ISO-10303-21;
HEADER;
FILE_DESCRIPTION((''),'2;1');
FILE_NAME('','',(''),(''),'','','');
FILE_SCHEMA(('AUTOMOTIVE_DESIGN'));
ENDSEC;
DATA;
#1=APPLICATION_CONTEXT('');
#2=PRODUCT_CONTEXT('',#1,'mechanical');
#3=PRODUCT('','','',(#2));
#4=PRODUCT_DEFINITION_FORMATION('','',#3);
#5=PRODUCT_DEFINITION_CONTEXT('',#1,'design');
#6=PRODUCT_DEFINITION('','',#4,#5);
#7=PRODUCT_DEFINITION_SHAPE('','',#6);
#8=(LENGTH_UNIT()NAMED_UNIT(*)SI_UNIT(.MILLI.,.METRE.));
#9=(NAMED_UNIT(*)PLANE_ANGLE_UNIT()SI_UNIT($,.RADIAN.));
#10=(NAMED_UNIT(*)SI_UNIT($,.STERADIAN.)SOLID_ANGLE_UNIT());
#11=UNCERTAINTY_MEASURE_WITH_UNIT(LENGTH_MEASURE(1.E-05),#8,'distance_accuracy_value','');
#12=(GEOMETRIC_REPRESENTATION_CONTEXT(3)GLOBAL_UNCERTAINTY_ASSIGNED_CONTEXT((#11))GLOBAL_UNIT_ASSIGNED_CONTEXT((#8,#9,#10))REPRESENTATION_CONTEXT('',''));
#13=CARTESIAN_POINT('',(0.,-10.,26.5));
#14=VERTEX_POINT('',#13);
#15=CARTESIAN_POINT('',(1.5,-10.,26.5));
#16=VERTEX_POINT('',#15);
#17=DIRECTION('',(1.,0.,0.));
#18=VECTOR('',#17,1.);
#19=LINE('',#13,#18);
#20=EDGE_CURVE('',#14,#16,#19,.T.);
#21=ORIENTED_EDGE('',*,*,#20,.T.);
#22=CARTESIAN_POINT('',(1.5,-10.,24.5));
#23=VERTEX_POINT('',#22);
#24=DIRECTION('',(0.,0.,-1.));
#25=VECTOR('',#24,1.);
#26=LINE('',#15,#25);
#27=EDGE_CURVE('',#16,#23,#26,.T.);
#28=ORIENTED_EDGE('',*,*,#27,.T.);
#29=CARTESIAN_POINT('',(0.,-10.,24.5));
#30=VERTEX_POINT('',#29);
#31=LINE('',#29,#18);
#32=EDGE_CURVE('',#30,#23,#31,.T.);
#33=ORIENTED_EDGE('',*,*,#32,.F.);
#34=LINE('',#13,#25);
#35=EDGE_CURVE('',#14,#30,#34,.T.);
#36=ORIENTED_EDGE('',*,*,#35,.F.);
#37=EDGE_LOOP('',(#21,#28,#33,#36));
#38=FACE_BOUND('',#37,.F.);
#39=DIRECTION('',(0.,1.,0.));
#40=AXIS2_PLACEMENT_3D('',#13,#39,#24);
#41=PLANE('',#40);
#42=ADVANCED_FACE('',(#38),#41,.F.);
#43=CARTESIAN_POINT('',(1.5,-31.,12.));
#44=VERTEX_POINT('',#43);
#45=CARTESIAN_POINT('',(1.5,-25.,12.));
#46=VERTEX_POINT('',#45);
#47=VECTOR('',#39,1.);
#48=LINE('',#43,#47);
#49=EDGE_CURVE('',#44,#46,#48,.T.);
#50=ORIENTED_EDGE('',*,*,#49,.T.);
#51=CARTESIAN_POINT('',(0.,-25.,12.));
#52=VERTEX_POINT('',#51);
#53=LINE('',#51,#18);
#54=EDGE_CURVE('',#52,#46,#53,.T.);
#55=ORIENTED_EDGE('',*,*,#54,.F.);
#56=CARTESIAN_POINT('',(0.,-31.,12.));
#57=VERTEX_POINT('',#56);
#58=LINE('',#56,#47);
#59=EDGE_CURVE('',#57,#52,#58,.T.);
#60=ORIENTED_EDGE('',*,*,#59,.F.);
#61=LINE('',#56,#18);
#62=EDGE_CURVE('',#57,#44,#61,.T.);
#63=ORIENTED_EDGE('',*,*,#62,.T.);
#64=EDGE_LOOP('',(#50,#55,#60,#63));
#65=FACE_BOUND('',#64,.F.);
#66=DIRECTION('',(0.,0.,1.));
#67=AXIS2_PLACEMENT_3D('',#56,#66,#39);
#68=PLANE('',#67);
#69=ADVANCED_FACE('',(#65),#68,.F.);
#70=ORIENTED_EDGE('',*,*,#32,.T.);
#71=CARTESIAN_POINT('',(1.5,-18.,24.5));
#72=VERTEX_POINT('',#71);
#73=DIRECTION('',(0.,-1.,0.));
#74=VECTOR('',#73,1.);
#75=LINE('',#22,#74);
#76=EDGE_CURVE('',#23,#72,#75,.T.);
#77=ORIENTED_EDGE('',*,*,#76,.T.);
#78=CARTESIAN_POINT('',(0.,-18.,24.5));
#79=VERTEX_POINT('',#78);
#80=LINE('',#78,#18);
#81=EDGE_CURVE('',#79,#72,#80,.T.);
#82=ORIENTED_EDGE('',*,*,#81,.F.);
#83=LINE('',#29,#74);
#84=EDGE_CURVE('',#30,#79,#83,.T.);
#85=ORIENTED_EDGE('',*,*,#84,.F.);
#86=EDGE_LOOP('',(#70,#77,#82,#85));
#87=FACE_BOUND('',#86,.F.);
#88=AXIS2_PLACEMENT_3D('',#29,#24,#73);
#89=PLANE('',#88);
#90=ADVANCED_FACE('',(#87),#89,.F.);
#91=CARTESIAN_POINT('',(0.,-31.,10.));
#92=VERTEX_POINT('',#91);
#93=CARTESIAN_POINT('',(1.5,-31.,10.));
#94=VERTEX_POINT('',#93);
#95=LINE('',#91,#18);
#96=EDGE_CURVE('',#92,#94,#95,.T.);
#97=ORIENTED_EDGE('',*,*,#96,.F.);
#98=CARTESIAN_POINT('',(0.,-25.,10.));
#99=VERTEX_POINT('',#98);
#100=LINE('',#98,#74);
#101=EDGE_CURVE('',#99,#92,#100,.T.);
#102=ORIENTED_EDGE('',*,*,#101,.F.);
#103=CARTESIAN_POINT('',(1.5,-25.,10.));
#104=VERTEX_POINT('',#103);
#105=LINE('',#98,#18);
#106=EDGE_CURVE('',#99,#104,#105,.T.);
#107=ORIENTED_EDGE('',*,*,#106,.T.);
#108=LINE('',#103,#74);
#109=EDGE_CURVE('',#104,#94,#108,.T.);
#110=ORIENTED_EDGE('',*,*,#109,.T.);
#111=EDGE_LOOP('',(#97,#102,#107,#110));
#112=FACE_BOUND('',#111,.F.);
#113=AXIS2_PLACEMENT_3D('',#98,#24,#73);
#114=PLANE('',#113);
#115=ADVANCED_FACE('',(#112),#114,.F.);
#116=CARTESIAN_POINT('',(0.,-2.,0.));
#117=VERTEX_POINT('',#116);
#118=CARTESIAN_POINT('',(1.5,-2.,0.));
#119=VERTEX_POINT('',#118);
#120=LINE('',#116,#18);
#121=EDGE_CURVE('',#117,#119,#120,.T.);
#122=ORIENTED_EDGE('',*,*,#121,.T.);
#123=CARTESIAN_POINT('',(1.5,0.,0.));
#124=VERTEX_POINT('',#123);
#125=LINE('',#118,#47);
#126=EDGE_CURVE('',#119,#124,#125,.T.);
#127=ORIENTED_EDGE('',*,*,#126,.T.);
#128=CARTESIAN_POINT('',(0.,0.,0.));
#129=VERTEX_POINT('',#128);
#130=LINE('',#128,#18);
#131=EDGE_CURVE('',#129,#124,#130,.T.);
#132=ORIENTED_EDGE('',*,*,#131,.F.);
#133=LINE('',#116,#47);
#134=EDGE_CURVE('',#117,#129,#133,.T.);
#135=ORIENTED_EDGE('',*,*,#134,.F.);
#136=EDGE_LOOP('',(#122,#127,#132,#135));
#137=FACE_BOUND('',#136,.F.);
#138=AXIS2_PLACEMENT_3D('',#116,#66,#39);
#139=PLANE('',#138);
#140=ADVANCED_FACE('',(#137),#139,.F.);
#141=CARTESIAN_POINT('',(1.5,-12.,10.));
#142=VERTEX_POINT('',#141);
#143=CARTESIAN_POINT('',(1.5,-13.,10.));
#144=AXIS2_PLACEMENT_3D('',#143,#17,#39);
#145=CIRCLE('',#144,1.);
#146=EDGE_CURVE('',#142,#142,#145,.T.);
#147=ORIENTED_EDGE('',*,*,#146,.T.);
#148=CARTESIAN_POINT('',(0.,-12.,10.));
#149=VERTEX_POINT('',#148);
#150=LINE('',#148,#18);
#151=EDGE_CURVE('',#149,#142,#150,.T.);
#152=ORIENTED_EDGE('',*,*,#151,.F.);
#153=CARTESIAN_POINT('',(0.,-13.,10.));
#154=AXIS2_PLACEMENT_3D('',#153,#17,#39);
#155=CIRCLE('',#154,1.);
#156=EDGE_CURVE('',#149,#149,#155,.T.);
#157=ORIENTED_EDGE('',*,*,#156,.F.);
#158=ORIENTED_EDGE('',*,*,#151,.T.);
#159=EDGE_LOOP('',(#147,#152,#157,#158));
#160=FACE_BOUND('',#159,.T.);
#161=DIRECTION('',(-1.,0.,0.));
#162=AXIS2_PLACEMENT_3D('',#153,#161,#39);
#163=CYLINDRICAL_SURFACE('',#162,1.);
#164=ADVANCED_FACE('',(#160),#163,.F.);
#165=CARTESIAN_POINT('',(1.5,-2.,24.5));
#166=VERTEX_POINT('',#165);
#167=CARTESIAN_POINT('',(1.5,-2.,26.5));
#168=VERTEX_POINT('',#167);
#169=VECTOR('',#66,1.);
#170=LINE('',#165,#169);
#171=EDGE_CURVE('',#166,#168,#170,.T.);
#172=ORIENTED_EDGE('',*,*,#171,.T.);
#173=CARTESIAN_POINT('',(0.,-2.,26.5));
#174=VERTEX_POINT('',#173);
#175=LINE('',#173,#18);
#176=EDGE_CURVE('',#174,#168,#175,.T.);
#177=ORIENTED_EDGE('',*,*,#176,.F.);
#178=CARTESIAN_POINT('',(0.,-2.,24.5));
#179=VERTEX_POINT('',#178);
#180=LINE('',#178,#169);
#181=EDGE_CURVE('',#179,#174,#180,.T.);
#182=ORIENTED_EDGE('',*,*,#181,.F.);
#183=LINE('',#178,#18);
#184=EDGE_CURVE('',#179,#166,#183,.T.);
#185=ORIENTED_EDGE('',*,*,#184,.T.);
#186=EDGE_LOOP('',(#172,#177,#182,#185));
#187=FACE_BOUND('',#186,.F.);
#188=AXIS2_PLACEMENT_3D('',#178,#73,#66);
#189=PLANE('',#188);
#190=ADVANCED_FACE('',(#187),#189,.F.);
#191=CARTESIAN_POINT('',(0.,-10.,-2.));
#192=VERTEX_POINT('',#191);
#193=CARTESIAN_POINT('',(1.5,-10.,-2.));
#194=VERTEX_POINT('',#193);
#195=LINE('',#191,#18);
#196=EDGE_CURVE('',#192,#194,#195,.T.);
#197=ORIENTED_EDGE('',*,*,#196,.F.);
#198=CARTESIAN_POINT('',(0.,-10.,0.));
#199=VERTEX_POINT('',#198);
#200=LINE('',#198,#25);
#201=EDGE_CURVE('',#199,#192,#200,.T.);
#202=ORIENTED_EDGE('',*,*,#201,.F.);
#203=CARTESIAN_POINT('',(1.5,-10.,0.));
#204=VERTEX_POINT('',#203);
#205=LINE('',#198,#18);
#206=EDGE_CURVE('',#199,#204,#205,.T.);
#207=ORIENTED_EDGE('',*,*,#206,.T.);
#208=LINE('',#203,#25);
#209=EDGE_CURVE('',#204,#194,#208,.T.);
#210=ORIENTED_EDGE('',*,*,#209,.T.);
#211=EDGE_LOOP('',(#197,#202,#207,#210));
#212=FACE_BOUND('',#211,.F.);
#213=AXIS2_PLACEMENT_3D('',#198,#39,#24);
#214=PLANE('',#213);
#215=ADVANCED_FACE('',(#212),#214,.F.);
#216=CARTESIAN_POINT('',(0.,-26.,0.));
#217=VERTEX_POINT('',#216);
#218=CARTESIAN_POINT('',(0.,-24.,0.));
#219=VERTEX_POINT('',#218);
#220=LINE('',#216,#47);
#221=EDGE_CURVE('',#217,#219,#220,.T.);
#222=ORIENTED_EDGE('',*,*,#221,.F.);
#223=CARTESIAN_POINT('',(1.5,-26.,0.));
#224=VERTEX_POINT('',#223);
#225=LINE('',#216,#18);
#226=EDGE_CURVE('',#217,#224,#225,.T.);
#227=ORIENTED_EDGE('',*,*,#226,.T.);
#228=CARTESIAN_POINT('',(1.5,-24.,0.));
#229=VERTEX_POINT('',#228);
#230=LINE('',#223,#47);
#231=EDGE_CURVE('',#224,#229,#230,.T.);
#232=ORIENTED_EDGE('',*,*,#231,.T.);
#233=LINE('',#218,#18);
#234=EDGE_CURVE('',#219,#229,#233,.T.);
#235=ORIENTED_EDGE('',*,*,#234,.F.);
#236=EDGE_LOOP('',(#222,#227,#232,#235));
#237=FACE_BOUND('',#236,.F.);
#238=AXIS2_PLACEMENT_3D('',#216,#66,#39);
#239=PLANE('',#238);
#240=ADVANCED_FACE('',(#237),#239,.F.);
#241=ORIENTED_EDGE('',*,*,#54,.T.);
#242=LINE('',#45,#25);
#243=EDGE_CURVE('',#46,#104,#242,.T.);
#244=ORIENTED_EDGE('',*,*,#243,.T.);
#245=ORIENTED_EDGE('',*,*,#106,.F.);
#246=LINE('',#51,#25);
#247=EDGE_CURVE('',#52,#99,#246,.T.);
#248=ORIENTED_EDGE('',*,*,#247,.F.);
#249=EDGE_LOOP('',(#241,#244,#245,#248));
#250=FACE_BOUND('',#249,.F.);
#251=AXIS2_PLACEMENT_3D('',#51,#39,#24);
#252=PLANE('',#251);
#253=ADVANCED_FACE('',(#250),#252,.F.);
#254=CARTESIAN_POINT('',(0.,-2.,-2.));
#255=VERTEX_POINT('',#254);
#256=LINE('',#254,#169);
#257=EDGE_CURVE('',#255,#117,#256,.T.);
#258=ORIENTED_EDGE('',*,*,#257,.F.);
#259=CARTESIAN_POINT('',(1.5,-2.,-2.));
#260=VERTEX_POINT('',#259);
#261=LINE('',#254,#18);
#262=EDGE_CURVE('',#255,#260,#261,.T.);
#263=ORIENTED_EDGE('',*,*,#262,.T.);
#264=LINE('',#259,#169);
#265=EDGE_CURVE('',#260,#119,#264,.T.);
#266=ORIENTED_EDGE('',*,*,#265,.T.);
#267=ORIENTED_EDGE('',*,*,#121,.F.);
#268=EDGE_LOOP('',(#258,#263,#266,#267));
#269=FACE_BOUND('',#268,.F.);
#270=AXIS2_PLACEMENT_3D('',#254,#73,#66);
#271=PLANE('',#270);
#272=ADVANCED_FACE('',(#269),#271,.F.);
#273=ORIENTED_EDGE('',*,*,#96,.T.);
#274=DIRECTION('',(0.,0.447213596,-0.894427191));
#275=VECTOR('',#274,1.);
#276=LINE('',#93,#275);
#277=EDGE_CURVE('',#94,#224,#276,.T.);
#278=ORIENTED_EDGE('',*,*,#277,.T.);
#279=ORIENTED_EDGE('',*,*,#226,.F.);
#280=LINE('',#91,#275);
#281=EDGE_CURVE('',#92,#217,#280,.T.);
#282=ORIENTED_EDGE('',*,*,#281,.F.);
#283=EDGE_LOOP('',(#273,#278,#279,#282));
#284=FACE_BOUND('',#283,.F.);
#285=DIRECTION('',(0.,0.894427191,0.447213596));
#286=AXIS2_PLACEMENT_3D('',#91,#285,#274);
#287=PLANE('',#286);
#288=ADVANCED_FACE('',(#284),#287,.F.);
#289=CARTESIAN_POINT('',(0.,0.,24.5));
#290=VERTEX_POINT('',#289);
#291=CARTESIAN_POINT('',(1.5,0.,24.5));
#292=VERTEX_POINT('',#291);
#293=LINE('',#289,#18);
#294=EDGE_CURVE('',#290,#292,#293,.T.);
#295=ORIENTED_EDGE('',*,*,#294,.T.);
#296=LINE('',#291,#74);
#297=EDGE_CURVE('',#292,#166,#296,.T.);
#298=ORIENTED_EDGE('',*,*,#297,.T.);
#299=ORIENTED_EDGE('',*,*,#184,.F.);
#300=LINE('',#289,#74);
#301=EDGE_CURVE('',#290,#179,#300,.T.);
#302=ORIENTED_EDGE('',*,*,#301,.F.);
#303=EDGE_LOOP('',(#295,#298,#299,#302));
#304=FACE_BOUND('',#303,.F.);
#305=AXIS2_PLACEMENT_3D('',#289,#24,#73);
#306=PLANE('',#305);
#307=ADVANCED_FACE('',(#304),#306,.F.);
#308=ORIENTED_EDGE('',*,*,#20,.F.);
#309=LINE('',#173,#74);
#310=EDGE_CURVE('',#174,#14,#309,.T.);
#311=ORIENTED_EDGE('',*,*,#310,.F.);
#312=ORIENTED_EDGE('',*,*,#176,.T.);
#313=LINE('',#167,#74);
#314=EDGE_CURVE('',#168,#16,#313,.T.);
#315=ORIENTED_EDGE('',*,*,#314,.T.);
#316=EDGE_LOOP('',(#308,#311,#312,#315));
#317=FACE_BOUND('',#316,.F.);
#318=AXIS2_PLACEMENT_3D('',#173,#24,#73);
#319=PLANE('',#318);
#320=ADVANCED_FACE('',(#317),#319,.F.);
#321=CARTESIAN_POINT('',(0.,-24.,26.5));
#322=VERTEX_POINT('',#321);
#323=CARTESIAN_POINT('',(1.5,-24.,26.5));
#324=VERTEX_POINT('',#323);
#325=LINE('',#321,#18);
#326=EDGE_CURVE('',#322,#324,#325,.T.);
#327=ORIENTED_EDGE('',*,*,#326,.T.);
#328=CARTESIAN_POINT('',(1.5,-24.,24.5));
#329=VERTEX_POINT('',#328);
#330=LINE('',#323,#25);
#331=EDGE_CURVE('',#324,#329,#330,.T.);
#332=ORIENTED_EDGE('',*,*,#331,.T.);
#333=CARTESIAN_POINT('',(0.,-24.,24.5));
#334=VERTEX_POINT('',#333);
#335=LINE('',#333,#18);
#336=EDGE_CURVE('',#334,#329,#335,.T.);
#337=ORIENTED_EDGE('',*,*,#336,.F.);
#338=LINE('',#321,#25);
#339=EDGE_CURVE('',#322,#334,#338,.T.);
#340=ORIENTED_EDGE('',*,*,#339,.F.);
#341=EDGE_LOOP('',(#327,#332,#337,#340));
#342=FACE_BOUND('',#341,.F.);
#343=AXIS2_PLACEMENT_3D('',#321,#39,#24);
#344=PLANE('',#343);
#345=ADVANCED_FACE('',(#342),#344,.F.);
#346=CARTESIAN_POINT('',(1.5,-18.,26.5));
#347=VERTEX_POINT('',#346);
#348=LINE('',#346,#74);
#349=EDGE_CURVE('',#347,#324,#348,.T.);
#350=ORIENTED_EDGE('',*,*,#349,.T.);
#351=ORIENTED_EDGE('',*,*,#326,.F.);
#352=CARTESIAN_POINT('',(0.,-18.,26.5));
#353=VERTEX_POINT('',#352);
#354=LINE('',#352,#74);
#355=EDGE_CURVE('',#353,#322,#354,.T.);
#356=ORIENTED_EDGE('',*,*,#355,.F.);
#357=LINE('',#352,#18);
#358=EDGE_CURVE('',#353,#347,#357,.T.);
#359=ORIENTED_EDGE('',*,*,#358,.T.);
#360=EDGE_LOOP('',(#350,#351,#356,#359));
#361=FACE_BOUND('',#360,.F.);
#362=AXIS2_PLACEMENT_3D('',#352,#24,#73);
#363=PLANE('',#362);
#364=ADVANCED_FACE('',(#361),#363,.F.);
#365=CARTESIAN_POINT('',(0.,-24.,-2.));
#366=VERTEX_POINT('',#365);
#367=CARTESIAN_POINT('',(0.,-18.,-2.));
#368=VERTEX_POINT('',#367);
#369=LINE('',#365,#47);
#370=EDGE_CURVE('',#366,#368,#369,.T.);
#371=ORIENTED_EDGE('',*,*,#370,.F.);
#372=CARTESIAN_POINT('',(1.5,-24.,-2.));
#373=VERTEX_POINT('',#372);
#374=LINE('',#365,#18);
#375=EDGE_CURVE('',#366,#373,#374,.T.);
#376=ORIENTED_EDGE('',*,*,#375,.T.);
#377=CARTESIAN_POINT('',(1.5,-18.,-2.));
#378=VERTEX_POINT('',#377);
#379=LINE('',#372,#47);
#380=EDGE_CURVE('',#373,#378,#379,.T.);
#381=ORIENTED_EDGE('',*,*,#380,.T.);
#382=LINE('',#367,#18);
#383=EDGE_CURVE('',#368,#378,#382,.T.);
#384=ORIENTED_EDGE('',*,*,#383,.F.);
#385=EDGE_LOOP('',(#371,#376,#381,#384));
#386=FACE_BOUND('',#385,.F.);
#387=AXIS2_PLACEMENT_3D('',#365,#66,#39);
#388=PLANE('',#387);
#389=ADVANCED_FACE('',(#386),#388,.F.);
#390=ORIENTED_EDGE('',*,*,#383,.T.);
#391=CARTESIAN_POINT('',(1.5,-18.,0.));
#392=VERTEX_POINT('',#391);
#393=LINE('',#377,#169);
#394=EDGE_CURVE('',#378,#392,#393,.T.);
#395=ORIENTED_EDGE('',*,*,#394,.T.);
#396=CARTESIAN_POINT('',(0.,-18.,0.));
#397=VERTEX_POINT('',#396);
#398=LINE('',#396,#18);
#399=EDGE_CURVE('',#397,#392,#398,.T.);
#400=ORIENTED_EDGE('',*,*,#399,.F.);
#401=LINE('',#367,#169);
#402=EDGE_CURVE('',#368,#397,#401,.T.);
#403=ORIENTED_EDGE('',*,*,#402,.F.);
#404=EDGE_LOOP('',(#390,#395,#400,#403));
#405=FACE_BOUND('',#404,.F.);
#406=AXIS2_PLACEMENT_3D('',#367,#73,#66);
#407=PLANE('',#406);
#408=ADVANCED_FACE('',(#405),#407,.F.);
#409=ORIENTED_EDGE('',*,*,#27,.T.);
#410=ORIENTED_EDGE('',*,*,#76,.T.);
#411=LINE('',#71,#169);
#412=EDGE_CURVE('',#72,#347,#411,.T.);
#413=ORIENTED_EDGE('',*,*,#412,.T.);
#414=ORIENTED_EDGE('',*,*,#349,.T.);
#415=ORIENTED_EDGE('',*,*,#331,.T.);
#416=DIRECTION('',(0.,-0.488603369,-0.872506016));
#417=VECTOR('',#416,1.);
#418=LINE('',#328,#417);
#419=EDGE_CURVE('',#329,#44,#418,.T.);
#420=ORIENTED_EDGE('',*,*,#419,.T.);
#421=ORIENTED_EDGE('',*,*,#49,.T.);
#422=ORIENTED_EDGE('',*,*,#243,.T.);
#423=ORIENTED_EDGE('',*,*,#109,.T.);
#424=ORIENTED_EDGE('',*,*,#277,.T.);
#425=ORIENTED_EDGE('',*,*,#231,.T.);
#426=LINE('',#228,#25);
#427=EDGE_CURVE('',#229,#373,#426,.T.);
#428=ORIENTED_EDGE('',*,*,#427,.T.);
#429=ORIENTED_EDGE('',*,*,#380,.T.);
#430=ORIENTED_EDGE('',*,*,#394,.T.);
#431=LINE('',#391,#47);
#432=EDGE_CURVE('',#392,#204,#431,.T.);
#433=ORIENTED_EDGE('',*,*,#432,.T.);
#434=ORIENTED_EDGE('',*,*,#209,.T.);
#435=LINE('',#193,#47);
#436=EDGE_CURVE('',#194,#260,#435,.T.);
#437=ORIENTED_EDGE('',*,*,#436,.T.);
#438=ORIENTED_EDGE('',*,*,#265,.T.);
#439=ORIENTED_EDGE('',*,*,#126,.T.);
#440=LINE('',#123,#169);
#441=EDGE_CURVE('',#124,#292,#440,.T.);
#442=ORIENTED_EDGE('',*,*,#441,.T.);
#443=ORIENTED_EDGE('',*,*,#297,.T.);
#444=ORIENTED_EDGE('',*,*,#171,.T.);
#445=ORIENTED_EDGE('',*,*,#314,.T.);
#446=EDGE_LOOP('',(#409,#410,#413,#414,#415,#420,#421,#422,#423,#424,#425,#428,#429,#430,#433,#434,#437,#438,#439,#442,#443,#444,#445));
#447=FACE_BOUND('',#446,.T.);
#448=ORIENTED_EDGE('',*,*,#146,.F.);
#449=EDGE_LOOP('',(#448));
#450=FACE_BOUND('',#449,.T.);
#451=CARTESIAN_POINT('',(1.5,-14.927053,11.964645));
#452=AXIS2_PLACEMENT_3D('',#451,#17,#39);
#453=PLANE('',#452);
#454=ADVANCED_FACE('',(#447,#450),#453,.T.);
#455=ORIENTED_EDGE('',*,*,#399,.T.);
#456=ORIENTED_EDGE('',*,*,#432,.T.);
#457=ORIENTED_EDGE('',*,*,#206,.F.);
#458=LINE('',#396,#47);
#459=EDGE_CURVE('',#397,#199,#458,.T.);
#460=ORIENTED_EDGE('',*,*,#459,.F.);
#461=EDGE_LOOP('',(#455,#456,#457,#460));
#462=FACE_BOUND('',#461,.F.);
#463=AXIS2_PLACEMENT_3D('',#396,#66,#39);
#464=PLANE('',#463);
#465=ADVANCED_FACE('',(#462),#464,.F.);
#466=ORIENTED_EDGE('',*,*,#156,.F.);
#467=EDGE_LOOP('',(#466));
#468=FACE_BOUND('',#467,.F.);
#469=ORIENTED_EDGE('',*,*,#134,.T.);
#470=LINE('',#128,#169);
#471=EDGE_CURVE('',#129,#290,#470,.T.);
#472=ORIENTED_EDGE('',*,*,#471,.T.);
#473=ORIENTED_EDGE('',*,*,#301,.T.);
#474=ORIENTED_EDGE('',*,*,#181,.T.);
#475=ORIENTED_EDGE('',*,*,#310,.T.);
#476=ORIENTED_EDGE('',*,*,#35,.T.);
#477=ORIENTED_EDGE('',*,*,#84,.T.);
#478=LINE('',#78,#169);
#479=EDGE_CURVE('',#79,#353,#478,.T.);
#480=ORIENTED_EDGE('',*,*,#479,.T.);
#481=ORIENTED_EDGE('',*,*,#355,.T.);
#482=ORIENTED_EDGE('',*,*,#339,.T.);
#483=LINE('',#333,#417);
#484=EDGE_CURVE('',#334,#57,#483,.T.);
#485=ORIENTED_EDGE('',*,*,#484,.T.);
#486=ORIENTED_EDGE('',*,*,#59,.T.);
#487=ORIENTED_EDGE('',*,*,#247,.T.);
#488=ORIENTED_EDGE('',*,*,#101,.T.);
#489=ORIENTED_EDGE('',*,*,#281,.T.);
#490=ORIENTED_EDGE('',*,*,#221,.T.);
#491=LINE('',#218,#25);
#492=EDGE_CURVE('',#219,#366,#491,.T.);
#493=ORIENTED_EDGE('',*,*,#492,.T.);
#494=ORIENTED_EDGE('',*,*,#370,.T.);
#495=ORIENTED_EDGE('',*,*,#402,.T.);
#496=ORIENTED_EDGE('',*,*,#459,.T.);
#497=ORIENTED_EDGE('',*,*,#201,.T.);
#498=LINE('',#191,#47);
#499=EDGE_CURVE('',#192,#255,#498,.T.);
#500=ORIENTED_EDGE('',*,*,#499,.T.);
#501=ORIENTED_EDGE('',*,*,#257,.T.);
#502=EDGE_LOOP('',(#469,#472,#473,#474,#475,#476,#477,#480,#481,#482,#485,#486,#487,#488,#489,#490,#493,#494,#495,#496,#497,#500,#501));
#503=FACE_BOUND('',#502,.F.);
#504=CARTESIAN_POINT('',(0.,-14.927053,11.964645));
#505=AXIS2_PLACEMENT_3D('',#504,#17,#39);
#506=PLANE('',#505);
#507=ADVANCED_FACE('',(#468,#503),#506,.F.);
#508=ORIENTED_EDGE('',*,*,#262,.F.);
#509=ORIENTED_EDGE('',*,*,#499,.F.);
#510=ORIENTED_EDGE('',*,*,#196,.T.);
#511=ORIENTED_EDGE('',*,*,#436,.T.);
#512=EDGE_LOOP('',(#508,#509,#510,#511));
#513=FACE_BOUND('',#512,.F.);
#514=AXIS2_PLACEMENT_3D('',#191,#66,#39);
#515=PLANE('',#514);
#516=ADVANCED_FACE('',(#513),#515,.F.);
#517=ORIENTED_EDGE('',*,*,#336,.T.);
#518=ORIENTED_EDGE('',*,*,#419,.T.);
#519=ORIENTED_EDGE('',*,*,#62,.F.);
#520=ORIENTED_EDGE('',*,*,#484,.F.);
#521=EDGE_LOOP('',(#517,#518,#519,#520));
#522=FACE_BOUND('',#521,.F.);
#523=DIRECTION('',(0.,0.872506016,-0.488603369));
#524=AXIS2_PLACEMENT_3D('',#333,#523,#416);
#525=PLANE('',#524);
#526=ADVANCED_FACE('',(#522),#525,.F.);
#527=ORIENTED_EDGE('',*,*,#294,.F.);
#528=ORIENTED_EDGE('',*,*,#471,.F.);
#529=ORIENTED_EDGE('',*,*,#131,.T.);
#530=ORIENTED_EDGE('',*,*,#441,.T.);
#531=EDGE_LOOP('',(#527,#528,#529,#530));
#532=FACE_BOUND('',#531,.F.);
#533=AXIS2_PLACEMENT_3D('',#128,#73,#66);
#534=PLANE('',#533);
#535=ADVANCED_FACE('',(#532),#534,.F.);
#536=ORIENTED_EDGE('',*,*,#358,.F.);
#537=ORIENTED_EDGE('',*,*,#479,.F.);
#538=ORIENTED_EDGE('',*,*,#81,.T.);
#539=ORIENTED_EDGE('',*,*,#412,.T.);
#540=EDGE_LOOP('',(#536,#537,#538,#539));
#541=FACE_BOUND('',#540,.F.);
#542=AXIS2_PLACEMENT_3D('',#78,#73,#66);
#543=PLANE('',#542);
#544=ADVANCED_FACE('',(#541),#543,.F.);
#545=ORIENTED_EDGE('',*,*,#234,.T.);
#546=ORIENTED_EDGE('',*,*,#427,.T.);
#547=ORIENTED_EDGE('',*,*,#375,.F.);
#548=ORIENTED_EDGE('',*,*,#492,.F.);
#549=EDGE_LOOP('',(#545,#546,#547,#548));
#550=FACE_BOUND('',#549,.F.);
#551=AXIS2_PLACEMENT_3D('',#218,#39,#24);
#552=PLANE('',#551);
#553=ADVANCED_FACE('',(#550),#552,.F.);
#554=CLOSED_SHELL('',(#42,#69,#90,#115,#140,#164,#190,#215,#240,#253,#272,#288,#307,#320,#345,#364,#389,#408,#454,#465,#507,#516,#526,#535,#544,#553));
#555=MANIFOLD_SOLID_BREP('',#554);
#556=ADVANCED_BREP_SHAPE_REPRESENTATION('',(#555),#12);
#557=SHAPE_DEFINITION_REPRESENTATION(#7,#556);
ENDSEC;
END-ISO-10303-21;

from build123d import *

# Parameters (mm, degrees)
F0_R     = 1
F1_DEPTH = 1.5


with BuildPart() as f1:
    # F0 (on Right) → F1 (new body)
    with BuildSketch(Plane.YZ):
        Polygon((-2, 0), (0, 0), (0, 24.5), (-2, 24.5), (-2, 26.5), (-10, 26.5), (-10, 24.5), (-18, 24.5), (-18, 26.5), (-24, 26.5), (-24, 24.5), (-31, 12), (-25, 12), (-25, 10), (-31, 10), (-26, 0), (-24, 0), (-24, -2), (-18, -2), (-18, 0), (-10, 0), (-10, -2), (-2, -2), align=None)
        with Locations((-13, 10)):
            Circle(F0_R, mode=Mode.SUBTRACT)
    extrude(amount=F1_DEPTH)


solid = f1.part
